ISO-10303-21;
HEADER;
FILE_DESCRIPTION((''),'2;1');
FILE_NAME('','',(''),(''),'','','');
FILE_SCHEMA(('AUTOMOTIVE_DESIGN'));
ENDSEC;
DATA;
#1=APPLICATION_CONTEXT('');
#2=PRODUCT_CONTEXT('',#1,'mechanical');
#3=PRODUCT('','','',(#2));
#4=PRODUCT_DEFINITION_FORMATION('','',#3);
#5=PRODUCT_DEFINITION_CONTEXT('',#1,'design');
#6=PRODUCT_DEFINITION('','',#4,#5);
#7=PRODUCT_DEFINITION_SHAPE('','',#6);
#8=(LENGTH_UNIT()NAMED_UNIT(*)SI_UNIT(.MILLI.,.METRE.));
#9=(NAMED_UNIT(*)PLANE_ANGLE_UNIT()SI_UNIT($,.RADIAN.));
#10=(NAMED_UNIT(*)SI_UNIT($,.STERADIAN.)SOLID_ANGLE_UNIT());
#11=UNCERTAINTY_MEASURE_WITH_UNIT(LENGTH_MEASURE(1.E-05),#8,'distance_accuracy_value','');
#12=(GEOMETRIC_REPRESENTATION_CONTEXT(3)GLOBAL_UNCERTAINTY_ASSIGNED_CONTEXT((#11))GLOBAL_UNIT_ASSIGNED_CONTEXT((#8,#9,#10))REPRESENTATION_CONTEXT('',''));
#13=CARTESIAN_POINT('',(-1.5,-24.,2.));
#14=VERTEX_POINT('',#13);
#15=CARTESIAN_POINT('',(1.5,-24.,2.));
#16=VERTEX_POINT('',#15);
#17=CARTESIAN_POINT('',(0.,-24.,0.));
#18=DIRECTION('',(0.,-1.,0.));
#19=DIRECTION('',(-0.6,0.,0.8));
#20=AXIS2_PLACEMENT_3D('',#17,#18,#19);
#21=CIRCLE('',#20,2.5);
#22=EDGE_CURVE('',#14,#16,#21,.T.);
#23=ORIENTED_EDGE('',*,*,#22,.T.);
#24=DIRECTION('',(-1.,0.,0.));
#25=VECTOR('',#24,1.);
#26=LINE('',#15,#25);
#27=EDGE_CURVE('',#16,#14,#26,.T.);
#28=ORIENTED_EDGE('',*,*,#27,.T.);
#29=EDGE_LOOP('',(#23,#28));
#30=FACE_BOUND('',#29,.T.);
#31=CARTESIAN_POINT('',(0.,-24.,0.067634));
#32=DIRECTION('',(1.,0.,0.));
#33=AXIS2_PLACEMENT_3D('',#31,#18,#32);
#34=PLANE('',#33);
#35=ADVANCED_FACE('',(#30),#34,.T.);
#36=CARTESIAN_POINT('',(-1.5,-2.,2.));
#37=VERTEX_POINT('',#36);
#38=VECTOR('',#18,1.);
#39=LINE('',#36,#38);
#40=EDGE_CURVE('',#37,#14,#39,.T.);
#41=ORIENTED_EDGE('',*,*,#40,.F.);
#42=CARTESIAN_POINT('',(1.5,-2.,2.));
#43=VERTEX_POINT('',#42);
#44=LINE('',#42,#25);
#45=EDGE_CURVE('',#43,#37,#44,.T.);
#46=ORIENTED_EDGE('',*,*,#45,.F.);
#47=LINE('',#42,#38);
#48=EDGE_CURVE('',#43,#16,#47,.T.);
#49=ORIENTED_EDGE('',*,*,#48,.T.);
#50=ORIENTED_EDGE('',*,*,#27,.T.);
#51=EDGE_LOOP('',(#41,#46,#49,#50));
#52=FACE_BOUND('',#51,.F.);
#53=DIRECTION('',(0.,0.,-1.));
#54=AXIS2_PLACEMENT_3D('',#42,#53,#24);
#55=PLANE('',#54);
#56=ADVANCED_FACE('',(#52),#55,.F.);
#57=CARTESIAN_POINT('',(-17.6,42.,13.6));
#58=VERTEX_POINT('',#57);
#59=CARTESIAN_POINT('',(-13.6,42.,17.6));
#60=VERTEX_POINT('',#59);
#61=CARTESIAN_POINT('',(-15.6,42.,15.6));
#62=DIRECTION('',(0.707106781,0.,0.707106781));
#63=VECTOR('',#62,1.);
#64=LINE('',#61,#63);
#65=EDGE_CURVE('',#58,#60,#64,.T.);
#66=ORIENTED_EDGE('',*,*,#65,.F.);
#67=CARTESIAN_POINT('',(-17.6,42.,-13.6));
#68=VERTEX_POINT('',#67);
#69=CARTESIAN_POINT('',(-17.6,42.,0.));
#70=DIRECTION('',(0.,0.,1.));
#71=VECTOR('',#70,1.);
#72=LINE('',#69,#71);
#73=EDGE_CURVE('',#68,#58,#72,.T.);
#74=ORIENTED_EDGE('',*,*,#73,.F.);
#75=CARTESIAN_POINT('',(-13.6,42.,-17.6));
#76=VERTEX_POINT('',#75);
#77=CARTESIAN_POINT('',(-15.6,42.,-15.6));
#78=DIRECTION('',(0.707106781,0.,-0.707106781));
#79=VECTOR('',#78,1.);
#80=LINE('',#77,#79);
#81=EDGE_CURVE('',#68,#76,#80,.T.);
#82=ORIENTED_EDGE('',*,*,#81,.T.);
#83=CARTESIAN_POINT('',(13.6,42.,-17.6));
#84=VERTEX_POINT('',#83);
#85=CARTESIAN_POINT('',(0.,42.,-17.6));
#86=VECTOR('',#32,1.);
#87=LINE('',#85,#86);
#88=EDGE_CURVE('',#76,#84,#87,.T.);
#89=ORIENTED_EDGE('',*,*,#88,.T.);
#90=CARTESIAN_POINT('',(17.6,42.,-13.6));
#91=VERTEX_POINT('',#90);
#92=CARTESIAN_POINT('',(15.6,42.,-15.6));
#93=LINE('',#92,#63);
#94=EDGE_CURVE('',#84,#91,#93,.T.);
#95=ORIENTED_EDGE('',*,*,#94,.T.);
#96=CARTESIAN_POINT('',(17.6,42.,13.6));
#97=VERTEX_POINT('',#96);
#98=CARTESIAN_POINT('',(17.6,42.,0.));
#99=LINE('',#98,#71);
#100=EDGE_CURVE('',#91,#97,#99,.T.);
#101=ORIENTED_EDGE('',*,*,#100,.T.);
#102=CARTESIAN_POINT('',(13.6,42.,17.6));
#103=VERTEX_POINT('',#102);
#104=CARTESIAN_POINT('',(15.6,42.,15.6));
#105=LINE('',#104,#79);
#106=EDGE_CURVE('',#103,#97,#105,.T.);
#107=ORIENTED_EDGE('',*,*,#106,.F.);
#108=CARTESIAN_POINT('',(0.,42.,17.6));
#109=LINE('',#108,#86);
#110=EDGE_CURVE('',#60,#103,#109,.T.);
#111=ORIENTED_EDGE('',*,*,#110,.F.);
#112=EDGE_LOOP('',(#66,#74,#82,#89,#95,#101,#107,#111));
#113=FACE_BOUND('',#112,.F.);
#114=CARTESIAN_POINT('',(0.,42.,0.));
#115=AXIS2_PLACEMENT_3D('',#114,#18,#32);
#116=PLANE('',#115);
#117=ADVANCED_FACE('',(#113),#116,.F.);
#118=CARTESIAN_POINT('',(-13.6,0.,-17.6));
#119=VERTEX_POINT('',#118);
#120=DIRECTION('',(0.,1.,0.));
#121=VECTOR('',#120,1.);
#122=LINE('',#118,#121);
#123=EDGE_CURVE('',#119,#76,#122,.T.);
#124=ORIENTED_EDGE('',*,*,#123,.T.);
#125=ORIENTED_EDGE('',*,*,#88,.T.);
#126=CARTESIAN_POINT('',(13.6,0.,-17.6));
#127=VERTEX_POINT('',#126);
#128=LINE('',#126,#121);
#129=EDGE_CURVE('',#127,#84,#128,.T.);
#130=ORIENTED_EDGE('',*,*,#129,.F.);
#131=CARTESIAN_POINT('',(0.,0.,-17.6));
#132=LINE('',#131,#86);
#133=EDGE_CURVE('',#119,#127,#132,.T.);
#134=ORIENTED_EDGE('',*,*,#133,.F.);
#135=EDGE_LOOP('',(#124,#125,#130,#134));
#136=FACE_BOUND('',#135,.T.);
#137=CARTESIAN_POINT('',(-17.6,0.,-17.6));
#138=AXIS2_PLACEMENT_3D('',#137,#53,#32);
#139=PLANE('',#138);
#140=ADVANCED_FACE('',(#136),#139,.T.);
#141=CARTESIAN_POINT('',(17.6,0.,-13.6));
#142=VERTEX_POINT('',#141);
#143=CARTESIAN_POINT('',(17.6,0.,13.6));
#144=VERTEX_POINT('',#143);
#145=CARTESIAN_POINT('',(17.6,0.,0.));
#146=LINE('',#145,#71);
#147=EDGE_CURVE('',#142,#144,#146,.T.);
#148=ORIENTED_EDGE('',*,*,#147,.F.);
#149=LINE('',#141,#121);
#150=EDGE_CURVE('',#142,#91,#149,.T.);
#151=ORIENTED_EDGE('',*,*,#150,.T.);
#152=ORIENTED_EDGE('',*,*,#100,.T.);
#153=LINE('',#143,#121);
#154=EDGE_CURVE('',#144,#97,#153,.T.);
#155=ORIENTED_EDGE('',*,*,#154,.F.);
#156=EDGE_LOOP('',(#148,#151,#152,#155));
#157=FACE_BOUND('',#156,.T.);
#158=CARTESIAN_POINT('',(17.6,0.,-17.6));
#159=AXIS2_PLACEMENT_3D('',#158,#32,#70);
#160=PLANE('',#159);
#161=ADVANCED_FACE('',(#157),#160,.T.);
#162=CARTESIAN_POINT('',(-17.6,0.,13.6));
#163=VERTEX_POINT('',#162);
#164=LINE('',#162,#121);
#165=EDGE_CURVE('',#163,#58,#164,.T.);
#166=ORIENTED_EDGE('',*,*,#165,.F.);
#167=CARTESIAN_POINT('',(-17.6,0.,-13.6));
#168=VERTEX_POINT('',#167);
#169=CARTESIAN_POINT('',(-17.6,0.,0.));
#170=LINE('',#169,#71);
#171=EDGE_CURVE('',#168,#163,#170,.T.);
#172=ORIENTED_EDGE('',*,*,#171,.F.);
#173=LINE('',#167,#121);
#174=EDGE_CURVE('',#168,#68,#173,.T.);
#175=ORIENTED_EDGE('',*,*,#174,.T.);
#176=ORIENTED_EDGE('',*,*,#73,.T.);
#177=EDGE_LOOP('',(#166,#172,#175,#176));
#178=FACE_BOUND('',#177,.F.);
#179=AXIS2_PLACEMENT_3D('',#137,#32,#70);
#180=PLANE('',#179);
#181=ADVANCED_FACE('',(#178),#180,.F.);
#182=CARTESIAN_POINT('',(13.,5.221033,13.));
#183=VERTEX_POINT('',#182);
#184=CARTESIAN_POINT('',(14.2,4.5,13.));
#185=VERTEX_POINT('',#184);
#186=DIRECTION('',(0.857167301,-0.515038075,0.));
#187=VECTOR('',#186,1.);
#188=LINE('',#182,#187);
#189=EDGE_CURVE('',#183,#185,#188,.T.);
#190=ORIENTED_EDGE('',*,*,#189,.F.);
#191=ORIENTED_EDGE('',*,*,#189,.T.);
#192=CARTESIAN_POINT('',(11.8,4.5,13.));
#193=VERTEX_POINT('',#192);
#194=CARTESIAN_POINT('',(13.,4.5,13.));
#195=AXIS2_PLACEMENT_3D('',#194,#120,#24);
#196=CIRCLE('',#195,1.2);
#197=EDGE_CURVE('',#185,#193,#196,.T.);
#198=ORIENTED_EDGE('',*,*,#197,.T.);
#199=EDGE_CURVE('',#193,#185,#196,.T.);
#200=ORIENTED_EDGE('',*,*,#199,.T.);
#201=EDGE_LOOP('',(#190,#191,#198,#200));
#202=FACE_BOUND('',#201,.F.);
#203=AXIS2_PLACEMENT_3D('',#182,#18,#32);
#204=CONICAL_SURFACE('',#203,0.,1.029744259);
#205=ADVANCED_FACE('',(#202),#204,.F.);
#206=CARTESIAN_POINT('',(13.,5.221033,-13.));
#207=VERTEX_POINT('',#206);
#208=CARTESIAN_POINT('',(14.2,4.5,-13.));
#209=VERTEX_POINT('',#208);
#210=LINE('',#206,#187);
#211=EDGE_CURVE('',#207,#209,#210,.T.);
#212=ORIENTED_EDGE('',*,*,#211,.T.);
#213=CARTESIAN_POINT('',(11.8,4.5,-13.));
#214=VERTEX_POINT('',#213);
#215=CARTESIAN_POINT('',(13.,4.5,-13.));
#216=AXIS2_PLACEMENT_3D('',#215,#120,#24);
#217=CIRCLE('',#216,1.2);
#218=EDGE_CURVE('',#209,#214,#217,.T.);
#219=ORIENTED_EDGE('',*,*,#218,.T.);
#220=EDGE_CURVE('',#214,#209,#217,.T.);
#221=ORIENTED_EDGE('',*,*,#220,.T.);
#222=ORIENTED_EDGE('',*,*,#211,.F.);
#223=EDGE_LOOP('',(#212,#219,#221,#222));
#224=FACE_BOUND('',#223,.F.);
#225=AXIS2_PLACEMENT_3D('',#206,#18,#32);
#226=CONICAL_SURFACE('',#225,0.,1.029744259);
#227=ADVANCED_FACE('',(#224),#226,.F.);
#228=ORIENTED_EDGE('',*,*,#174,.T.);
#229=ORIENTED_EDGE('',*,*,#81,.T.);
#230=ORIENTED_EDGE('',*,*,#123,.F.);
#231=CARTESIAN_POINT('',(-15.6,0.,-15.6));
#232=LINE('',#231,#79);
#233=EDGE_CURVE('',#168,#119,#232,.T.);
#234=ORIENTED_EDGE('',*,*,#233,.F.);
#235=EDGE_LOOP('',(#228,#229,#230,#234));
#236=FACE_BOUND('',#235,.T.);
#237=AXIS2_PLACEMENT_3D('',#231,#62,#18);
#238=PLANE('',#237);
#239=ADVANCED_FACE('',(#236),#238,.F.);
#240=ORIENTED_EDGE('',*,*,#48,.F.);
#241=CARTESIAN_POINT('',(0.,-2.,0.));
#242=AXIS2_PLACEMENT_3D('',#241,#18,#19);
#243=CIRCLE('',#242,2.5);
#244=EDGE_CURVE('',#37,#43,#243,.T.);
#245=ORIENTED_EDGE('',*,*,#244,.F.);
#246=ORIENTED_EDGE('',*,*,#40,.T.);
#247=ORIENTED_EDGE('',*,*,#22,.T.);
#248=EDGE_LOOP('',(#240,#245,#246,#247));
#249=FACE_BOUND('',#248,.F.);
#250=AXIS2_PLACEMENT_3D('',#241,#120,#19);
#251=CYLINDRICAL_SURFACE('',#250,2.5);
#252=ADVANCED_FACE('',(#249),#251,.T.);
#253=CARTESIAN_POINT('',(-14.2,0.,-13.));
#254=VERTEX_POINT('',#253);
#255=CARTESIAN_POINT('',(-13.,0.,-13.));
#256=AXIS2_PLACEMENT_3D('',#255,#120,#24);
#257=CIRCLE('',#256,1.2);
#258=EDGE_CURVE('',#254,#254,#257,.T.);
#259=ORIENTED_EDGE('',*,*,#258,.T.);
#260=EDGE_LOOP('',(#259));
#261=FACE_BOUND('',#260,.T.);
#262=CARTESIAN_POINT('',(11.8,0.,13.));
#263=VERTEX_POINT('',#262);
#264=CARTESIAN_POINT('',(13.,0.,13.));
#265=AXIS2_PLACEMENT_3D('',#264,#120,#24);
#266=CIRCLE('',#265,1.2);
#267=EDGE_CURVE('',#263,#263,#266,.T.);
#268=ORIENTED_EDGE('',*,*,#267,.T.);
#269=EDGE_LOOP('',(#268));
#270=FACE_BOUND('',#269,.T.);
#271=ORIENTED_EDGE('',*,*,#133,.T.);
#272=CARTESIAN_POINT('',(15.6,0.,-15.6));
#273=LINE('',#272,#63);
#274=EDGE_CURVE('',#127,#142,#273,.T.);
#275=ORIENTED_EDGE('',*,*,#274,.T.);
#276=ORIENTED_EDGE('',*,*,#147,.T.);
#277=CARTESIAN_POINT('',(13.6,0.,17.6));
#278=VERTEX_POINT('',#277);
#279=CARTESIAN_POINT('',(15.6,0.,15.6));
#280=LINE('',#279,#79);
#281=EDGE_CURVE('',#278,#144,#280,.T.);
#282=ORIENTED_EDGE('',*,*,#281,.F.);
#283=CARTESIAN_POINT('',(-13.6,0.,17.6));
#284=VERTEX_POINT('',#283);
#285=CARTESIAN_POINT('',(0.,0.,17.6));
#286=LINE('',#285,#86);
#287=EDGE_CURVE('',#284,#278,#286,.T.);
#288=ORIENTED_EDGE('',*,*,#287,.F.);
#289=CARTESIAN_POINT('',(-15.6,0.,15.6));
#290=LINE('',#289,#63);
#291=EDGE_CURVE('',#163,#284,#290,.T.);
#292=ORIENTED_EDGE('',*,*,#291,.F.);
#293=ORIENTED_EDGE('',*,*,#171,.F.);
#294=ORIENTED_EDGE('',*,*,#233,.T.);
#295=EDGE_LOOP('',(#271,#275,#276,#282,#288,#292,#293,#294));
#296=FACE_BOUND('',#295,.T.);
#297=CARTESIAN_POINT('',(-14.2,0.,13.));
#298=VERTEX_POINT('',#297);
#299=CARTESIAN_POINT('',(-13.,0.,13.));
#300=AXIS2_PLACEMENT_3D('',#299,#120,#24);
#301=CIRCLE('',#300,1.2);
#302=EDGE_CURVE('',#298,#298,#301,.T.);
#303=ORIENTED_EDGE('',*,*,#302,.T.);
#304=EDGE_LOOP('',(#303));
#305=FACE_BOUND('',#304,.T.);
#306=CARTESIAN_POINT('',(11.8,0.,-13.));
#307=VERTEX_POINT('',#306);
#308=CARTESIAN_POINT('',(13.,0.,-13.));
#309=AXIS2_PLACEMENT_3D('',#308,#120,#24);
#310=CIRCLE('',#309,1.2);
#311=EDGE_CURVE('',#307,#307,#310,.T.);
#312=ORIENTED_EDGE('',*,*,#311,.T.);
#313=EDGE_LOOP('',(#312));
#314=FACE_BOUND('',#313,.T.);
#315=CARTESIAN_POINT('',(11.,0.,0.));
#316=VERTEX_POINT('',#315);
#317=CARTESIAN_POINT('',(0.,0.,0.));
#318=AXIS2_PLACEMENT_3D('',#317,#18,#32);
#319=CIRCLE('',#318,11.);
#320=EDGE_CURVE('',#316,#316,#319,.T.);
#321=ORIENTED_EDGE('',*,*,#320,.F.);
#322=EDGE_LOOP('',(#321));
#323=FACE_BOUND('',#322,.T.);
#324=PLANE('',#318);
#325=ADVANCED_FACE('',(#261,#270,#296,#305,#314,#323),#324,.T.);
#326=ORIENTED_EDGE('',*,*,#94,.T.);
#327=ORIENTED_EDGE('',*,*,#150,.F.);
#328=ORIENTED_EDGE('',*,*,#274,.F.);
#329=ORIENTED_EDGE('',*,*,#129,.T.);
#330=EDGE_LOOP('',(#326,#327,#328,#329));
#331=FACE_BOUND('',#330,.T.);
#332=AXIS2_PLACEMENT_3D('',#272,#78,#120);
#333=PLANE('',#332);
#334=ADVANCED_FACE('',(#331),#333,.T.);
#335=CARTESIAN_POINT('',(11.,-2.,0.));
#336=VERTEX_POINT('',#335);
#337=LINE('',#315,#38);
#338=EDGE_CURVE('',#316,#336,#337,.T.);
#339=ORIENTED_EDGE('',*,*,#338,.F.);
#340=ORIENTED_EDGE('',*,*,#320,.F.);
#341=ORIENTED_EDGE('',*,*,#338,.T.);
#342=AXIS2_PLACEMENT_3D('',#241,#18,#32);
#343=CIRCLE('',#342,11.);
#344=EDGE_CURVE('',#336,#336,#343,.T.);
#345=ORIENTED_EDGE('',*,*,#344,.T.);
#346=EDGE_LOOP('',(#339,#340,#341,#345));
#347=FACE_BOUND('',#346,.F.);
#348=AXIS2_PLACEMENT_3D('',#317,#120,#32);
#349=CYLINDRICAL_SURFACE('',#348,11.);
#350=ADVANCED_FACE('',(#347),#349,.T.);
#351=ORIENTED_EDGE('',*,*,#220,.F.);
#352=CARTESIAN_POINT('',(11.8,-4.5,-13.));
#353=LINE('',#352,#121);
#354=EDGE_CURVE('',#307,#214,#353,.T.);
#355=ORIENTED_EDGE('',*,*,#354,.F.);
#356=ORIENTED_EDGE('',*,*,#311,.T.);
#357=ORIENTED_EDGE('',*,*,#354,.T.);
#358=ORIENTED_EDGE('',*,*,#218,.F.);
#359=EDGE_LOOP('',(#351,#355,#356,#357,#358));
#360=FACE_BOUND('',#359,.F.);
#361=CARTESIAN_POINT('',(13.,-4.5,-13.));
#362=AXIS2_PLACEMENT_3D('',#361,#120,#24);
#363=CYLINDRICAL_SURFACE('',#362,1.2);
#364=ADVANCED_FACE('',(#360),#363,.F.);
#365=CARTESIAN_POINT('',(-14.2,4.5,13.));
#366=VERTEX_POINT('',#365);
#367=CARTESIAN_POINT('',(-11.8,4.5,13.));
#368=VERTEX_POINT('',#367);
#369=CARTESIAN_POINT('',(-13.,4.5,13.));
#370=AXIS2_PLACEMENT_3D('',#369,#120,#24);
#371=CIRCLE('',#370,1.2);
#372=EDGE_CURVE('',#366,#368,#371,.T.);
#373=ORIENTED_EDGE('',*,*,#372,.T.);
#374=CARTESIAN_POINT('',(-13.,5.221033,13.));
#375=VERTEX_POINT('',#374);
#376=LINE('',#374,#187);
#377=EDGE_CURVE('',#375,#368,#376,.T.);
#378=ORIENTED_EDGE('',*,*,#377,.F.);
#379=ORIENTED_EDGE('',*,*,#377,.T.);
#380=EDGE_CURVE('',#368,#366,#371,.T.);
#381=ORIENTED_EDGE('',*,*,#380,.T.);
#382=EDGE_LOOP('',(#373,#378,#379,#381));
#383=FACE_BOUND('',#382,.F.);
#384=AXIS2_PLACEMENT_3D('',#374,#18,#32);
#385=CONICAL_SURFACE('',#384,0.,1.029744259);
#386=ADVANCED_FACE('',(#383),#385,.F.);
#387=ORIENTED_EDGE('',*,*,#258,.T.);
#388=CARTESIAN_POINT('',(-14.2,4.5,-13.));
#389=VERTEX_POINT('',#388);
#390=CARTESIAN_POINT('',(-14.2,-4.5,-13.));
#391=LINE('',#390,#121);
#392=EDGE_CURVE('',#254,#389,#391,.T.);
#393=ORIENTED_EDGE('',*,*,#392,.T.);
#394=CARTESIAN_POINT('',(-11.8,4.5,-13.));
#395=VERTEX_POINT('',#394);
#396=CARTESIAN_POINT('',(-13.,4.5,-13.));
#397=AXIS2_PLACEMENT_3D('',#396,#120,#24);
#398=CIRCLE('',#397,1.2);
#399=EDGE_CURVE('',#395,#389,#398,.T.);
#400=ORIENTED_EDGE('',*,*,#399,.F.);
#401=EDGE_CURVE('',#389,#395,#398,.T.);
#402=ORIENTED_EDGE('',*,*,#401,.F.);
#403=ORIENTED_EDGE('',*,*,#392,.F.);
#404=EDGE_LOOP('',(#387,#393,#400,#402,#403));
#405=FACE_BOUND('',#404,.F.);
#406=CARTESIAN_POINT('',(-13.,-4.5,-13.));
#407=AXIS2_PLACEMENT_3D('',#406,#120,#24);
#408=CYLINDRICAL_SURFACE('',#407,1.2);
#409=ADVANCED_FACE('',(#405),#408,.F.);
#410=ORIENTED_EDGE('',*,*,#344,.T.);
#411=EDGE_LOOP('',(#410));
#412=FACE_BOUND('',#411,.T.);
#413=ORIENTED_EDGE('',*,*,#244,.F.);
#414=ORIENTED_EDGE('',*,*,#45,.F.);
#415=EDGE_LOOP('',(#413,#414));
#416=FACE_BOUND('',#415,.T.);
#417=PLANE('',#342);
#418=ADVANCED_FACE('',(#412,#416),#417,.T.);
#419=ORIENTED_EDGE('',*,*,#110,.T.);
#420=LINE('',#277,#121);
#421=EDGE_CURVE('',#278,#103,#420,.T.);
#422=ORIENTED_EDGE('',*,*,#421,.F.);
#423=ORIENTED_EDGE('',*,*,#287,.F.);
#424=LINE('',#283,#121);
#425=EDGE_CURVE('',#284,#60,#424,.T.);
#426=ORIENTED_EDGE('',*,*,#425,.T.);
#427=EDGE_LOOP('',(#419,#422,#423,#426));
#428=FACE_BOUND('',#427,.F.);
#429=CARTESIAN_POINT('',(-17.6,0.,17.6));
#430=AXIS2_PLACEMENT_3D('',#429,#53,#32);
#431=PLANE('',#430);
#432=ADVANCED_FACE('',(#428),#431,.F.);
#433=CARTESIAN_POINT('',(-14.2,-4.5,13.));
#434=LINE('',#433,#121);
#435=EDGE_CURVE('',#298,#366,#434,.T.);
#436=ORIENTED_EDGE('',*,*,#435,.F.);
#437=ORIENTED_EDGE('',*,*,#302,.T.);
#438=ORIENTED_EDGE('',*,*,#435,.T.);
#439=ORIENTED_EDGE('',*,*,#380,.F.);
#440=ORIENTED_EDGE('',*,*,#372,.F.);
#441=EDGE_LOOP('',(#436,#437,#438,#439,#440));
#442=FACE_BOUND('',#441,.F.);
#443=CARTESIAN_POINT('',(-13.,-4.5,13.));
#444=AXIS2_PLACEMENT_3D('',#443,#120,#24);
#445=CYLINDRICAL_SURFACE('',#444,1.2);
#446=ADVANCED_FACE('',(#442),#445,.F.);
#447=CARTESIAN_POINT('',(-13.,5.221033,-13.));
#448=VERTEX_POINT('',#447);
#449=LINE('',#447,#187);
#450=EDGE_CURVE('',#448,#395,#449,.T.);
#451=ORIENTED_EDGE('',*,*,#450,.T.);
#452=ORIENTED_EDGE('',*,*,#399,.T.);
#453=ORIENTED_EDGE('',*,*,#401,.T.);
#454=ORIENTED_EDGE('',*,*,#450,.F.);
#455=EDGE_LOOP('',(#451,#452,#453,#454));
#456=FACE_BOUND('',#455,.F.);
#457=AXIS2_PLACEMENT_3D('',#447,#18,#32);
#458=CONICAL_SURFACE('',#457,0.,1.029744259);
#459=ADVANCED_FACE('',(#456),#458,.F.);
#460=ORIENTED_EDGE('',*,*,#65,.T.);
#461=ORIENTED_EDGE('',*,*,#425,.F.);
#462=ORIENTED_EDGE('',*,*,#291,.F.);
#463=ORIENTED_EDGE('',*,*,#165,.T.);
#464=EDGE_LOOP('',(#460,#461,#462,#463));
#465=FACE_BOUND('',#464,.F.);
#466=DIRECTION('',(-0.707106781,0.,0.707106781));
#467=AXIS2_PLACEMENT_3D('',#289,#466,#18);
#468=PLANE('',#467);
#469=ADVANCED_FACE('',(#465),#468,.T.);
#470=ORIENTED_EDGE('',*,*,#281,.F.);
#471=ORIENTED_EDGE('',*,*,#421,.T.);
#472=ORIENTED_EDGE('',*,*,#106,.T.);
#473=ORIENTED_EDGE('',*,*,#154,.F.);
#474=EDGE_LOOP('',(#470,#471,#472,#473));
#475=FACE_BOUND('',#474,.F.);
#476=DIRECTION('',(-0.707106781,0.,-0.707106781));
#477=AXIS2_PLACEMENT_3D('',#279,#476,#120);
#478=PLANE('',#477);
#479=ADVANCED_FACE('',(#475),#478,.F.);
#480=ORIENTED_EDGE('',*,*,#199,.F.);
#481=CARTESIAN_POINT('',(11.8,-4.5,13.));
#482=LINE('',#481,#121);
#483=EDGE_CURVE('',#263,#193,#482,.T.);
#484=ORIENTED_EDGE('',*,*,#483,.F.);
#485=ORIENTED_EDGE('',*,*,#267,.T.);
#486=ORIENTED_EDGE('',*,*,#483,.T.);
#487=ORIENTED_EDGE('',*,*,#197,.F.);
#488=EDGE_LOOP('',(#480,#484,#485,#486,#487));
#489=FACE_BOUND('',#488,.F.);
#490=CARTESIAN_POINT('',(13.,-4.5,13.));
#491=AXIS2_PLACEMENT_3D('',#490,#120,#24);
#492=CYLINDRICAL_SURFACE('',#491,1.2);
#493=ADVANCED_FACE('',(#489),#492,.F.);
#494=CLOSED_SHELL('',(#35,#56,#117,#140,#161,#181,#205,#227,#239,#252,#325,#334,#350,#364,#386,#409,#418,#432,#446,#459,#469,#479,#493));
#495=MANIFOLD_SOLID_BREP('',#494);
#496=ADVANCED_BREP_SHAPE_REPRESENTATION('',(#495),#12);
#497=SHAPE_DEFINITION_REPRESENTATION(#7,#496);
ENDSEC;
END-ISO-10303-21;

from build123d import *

# Parameters (mm, degrees)
F0_W     = 35.2
F0_H     = 35.2
F1_DEPTH = 42
F2_R     = 11
F3_DEPTH = 2
F5_DEPTH = 22
F7_D     = 2.4
F7_DEPTH = 4.5
F7_TIP   = 0.7210327428
F8_SIZE  = 4


with BuildPart() as f1:
    # F0 (on Front) → F1 (new body)
    with BuildSketch(Plane.XZ):
        Rectangle(F0_W, F0_H)
    extrude(amount=-F1_DEPTH)

    # F2 (on Front) → F3 (join)
    with BuildSketch(Plane.XZ):
        Circle(F2_R)
    extrude(amount=F3_DEPTH)

    # F4 (on face) → F5 (join)
    with BuildSketch(Plane.XZ.offset(2)):
        with BuildLine():
            Line((1.5, 2), (-1.5, 2))
            ThreePointArc((-1.5, 2), (0, -2.5), (1.5, 2))
        make_face()
    extrude(amount=F5_DEPTH)

    # F7
    with Locations(Plane.XZ):
        with Locations((-13, 13), (13, 13), (13, -13), (-13, -13)):
            Hole(F7_D / 2, depth=F7_DEPTH)
            with Locations((0, 0, -(F7_DEPTH + F7_TIP / 2))):  # 118° drill point
                Cone(0, F7_D / 2, F7_TIP, mode=Mode.SUBTRACT)

    # F8
    f8_edges = [f1.edges().sort_by_distance(p)[0] for p in [
        (-17.6, 21, 17.6),
        (-17.6, 21, -17.6),
        (17.6, 21, -17.6),
        (17.6, 21, 17.6),
    ]]
    chamfer(f8_edges, length=F8_SIZE)


solid = f1.part
